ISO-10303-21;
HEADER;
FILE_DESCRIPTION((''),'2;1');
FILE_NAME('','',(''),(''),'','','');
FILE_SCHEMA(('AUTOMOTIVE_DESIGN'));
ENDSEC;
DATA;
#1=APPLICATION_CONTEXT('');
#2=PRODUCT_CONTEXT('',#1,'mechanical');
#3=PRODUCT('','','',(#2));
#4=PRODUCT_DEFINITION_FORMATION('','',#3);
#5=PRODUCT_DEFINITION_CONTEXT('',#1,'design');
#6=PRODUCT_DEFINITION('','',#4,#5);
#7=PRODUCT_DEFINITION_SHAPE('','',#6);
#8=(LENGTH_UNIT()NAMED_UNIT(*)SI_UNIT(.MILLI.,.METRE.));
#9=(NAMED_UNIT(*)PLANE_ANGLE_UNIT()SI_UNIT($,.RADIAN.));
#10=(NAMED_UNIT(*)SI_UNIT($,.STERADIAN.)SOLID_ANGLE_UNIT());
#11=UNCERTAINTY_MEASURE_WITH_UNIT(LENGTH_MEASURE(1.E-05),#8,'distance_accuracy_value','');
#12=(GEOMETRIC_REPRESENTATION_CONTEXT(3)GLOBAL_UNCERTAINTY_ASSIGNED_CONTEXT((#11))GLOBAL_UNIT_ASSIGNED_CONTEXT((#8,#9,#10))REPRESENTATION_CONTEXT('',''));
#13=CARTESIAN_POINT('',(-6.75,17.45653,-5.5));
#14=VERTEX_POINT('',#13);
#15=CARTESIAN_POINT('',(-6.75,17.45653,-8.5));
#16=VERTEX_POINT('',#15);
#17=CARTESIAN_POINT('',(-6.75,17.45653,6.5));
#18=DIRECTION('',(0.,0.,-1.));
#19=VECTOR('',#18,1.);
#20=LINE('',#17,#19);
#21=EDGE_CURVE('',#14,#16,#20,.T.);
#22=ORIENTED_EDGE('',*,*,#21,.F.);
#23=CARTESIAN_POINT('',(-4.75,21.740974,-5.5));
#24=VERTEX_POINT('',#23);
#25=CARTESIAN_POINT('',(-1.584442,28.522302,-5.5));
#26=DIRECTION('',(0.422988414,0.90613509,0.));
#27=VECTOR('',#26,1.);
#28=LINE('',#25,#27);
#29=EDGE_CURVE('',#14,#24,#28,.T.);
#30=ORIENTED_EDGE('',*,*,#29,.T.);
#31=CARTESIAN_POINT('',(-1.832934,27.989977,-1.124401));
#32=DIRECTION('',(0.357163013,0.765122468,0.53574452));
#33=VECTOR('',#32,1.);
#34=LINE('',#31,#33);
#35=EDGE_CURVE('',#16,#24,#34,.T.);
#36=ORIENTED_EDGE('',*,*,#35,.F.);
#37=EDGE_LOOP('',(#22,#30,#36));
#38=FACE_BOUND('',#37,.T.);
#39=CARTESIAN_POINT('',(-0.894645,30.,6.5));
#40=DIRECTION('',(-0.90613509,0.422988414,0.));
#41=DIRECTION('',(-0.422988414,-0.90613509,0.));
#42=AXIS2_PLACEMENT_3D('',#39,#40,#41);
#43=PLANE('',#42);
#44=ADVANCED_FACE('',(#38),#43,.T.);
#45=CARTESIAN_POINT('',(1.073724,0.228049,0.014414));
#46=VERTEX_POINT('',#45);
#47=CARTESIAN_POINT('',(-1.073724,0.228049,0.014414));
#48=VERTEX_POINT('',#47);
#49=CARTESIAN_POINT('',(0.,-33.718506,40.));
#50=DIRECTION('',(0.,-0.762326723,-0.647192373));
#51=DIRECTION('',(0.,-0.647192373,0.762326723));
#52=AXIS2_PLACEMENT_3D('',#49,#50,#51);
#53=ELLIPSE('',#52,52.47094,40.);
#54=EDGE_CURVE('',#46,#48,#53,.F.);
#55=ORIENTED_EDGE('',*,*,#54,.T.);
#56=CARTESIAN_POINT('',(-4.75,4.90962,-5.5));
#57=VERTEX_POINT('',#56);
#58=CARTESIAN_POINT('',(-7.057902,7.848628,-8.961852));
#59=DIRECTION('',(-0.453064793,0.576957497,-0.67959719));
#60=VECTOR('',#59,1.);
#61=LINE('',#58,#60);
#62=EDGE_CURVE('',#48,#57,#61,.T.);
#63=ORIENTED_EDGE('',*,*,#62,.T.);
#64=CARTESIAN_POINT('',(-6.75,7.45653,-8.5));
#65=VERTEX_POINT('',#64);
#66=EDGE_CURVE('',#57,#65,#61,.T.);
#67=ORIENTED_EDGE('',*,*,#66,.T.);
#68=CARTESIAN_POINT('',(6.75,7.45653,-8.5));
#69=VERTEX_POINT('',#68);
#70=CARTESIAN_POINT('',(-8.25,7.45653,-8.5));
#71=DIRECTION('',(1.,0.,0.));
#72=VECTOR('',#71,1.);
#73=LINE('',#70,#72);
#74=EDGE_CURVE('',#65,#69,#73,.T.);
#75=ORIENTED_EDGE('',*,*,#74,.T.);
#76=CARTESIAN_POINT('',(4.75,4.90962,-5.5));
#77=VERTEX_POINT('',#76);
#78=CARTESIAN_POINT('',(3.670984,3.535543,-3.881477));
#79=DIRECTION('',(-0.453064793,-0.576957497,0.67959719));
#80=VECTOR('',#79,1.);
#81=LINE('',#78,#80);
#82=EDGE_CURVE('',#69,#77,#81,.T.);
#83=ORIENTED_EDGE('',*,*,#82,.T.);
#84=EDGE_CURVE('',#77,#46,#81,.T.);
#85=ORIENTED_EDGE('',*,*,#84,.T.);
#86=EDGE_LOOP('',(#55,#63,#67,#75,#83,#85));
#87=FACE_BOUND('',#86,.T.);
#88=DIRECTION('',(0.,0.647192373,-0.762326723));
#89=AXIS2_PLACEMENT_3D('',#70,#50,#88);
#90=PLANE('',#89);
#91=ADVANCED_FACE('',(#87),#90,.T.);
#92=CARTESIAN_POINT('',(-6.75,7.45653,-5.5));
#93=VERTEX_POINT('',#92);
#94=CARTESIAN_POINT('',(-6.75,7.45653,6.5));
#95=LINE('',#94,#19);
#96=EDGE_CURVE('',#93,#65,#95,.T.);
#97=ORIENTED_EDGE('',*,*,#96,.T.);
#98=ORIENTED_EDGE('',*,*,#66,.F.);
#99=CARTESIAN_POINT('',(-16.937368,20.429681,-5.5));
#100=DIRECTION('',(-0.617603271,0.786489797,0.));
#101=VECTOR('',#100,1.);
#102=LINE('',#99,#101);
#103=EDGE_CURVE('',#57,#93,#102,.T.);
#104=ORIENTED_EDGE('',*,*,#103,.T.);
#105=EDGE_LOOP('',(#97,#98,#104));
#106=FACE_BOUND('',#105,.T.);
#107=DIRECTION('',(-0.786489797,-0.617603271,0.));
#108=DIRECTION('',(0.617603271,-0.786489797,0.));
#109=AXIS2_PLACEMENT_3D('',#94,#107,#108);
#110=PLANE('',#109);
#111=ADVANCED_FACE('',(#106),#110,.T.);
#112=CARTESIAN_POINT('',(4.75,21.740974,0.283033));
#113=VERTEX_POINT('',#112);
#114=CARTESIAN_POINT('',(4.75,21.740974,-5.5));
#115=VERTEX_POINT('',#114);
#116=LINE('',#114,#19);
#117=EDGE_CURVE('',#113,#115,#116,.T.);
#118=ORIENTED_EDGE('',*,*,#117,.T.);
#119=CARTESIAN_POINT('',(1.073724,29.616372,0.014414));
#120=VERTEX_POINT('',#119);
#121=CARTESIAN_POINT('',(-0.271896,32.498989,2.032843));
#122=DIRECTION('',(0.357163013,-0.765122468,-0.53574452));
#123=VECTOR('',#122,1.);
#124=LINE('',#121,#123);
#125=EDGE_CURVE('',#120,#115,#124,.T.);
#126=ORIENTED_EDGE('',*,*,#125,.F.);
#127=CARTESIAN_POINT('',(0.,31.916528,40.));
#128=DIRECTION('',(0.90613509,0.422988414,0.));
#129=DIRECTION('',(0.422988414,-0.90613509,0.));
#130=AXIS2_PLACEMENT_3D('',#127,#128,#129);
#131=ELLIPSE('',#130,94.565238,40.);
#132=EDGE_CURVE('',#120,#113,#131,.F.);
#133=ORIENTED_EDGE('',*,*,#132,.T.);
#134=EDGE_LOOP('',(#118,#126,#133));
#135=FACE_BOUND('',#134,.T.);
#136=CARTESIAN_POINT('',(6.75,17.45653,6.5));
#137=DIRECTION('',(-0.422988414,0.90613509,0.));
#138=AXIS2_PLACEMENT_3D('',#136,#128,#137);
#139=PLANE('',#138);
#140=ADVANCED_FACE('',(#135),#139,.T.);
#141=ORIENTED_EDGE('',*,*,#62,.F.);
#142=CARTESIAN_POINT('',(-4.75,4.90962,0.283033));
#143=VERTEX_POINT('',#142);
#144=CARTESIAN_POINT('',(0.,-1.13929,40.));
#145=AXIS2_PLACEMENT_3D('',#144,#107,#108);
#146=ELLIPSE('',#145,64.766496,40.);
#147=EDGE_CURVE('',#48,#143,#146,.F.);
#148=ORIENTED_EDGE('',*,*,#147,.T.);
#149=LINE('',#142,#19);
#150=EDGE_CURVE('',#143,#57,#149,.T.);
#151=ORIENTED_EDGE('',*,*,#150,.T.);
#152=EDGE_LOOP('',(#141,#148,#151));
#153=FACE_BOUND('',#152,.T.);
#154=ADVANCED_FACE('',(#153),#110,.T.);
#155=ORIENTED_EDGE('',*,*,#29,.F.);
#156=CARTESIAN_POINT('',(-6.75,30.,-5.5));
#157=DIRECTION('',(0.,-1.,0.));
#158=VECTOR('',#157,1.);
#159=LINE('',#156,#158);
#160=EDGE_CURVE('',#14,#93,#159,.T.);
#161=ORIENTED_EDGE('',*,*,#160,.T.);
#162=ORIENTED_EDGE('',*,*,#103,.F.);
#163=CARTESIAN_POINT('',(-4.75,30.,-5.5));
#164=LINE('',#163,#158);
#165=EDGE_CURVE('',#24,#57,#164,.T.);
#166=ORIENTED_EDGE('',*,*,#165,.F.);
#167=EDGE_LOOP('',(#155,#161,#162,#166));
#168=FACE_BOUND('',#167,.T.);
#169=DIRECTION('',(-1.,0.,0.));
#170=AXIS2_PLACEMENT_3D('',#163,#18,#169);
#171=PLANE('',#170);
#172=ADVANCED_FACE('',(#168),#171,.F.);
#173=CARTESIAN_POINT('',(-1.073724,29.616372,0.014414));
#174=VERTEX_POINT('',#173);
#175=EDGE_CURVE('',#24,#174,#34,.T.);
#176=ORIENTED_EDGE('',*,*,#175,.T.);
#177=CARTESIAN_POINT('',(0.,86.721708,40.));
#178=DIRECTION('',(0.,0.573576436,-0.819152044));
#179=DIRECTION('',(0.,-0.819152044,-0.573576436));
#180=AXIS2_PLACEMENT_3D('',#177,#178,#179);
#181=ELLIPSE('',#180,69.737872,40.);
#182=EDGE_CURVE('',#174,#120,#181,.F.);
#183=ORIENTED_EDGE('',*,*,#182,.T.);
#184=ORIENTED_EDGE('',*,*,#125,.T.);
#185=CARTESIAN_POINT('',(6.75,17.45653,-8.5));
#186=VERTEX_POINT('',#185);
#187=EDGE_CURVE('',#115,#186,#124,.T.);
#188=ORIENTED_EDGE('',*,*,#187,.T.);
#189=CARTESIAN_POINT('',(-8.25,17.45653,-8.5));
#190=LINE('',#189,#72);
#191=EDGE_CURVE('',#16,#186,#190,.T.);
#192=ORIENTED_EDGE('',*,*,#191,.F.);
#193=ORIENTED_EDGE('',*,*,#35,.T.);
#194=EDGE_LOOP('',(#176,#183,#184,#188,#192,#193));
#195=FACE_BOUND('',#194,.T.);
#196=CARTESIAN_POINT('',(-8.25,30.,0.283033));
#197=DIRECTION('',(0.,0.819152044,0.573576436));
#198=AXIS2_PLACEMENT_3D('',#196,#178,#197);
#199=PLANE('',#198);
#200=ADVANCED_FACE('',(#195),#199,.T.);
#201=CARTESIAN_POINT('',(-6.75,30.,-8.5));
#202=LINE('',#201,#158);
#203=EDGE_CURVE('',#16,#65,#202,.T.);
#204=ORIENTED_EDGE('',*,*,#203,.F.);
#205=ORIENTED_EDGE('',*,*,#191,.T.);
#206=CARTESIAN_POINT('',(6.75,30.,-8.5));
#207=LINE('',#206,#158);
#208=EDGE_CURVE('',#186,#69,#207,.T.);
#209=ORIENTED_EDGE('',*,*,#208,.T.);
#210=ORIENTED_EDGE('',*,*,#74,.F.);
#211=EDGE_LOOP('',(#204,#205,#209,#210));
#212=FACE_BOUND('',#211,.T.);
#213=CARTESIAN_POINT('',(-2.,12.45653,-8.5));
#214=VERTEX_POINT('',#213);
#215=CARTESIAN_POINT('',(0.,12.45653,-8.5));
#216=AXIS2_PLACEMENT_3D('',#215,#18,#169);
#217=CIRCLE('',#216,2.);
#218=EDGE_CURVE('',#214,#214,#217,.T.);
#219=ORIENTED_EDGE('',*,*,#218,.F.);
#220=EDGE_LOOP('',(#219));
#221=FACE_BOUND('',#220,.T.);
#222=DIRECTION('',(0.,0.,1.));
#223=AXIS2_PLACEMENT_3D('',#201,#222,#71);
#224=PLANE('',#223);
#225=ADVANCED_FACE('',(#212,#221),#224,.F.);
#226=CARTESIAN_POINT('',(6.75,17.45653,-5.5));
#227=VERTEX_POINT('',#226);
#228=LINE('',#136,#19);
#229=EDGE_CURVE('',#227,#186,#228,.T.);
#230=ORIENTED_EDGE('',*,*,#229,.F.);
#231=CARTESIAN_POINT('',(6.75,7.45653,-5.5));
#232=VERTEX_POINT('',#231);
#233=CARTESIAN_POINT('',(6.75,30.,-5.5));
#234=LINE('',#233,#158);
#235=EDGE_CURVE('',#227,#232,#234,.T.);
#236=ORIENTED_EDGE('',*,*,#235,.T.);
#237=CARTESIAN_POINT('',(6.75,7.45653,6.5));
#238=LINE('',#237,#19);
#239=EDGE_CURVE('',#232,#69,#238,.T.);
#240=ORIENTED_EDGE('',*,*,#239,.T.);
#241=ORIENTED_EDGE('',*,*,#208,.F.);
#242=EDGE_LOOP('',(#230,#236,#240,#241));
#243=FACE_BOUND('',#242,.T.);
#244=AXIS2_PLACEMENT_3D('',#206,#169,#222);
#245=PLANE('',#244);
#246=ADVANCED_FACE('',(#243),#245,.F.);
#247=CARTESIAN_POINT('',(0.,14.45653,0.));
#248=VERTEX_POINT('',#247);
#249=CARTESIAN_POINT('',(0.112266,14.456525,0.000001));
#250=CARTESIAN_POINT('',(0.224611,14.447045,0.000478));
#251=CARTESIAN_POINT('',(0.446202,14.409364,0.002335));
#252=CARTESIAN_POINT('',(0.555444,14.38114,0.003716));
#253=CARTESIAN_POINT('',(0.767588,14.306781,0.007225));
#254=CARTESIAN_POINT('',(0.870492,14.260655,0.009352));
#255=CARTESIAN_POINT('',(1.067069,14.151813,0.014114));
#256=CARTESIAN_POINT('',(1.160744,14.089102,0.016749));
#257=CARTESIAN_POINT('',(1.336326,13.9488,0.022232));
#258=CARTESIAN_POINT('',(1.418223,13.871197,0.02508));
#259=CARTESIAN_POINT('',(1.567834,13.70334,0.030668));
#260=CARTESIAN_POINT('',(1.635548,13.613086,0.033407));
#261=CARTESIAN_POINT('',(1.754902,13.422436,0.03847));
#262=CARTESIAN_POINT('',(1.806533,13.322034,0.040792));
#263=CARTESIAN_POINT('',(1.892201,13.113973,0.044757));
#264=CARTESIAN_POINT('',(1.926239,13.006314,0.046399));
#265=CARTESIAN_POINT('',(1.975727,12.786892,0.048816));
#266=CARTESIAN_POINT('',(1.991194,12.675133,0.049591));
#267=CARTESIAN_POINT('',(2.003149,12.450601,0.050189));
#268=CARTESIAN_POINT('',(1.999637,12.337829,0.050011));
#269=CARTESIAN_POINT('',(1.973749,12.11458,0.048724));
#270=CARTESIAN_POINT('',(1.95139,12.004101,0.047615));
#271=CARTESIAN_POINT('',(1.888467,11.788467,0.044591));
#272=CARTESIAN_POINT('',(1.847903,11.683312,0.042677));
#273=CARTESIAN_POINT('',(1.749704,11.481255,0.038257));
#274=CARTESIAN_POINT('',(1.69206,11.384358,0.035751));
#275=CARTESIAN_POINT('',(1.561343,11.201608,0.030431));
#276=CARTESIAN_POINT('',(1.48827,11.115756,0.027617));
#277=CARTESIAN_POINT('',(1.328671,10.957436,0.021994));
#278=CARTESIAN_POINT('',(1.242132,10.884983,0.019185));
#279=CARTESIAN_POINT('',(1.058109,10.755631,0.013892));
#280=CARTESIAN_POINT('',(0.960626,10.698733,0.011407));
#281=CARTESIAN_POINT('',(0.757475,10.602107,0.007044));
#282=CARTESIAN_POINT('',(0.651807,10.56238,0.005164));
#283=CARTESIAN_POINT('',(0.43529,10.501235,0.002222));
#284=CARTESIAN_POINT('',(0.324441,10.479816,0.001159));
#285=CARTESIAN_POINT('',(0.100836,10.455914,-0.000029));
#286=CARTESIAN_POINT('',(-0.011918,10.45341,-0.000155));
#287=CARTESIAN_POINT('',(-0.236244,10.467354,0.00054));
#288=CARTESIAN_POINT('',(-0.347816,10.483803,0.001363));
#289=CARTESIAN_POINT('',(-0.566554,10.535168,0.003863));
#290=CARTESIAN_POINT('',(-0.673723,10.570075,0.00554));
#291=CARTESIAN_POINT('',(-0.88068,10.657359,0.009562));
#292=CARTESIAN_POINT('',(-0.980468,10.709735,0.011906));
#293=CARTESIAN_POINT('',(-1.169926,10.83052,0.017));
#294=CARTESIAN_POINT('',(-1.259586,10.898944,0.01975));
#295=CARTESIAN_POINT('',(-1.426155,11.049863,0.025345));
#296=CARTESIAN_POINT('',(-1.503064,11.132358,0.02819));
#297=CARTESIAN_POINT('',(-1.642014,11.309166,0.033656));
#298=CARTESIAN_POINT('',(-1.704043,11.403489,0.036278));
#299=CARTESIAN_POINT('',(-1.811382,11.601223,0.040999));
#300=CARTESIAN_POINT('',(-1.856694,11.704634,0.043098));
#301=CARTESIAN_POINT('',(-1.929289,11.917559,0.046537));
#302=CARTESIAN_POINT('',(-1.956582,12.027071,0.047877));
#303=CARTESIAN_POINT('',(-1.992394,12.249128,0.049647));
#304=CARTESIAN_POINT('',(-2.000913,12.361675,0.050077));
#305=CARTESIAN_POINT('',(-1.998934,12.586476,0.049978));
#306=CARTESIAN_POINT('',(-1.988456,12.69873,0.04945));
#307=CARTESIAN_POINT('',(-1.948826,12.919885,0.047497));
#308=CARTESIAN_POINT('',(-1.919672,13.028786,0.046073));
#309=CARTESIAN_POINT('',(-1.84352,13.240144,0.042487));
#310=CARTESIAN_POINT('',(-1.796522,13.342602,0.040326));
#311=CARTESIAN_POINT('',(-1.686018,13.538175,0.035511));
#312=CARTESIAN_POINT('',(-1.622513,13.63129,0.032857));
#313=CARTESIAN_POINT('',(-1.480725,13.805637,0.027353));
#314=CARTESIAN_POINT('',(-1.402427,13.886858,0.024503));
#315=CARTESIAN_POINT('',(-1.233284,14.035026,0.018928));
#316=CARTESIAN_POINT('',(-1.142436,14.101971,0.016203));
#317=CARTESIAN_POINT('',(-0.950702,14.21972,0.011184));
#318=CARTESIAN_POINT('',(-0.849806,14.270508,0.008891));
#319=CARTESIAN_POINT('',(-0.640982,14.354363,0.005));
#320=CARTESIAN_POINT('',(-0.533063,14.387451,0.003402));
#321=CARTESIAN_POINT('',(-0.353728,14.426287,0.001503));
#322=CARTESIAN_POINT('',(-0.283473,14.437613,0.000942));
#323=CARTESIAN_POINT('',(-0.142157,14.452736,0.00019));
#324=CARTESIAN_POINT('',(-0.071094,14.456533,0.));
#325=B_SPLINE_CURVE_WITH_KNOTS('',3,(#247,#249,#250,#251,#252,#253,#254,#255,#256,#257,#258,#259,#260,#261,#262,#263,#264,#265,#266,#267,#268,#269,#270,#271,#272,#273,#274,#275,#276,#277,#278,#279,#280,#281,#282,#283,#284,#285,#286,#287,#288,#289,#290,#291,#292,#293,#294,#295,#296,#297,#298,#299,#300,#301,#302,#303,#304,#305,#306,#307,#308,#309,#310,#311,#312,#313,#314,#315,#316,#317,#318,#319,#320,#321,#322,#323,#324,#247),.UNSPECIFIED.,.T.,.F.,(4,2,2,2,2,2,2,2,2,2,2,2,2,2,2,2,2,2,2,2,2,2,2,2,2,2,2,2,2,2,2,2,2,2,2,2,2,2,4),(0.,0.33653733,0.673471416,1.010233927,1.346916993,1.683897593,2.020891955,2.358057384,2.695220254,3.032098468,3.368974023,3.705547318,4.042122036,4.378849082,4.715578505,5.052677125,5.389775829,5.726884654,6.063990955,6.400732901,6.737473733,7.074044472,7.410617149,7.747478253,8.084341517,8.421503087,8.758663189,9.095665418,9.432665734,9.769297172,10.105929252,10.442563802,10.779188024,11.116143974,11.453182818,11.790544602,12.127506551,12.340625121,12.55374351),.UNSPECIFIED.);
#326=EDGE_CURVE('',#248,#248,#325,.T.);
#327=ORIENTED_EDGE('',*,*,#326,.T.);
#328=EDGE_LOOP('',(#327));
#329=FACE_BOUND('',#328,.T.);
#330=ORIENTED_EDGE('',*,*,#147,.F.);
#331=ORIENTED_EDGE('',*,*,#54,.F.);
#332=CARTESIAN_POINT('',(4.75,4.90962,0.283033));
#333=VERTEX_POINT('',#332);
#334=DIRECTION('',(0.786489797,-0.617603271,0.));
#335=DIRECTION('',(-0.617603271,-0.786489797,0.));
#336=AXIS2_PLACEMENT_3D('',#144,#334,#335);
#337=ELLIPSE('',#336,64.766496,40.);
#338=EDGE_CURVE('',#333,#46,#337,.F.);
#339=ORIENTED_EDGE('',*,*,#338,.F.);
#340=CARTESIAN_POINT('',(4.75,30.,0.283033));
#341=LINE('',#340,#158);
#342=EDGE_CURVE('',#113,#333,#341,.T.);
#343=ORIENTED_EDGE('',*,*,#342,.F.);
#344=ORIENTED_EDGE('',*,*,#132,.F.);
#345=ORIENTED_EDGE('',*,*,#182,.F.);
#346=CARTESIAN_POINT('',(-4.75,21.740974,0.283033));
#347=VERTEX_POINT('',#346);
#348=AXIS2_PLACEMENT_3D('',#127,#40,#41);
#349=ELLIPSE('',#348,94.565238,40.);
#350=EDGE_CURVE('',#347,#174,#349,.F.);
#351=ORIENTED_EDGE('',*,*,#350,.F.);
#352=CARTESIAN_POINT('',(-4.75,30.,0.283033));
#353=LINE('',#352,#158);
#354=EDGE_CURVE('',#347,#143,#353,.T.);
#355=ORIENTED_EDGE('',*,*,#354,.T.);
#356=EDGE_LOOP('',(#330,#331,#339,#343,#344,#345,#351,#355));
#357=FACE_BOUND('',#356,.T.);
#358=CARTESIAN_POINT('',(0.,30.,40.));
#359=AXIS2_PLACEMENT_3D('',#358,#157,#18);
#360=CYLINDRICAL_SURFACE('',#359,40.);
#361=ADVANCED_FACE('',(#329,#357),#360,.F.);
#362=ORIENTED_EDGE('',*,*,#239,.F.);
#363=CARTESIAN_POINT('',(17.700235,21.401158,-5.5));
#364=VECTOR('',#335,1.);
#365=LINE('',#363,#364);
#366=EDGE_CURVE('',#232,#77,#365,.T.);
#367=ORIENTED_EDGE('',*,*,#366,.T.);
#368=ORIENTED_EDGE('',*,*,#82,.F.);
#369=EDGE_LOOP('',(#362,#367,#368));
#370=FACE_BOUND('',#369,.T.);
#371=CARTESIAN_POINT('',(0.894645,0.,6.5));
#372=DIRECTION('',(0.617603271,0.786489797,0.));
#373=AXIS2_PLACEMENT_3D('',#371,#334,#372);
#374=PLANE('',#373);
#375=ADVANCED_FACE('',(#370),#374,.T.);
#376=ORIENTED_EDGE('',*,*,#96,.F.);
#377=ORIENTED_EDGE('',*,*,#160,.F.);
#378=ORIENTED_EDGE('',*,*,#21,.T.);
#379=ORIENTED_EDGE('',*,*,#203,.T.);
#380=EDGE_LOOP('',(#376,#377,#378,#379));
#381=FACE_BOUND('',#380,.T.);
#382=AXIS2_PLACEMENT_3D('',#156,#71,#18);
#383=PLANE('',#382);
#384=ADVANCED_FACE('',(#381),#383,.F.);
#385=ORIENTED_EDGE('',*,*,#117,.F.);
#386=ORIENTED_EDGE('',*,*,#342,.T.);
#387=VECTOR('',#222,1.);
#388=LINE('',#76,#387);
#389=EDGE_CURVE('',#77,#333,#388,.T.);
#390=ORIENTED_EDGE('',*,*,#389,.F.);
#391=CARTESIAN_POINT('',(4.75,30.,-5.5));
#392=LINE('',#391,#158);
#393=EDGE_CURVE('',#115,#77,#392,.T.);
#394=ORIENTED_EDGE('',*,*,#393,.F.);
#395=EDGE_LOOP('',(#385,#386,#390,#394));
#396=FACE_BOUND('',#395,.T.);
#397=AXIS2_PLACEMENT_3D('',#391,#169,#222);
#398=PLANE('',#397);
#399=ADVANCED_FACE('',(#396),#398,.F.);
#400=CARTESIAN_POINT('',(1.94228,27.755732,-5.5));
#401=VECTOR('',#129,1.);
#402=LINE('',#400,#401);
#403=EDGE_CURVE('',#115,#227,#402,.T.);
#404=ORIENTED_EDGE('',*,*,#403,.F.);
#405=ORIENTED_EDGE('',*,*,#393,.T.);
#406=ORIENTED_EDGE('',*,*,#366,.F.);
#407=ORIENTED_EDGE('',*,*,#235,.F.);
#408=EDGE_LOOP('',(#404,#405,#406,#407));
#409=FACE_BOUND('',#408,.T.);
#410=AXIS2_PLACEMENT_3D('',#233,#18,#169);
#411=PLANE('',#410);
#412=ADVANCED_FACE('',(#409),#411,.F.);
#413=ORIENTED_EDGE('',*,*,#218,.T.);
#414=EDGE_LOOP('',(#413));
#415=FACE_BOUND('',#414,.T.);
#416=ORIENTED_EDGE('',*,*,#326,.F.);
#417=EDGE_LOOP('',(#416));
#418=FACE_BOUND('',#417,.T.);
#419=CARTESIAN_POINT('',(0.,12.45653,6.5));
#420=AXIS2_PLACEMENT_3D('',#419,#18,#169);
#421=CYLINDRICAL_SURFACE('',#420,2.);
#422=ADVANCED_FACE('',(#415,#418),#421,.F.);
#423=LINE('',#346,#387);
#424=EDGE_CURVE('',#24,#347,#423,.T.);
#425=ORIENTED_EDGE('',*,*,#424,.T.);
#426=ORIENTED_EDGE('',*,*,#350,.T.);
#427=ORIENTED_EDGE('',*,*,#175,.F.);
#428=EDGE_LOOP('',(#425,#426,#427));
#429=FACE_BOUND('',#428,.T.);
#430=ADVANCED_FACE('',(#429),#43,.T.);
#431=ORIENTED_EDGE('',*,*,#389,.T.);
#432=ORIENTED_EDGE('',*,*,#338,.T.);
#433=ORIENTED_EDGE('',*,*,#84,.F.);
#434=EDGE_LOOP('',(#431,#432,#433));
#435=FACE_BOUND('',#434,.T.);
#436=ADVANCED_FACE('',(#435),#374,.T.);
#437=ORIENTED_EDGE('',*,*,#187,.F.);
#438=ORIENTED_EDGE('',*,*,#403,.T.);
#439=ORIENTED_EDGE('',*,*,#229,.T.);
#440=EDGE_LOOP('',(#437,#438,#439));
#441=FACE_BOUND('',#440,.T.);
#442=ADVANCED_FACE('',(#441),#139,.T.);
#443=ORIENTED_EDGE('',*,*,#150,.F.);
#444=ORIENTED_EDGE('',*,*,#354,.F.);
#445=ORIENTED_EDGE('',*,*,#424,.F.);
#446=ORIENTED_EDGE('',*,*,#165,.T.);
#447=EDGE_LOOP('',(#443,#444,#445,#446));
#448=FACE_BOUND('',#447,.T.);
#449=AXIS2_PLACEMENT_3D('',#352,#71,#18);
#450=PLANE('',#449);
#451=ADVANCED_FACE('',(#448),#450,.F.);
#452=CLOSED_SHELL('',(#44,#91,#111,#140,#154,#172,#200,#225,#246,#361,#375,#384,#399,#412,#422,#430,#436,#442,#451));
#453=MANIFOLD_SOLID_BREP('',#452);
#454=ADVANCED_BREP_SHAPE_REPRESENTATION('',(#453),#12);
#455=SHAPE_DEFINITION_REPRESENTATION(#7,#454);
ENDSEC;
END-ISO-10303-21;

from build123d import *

# Parameters (mm, degrees)
BOSS_EXTRUDE1_DEPTH = 30
SKETCH2_OUTSIDE_W   = 17.593
SKETCH2_OUTSIDE_H   = 38.81
CUT_EXTRUDE1_DEPTH  = 15
SKETCH3_OUTSIDE_W   = 22.31
SKETCH3_OUTSIDE_H   = 38.81
SKETCH3_OUTSIDE_R   = 2
CUT_EXTRUDE2_DEPTH  = 15


with BuildPart() as part:
    # Sketch1 → Boss-Extrude1 (new body)
    with BuildSketch(Plane(origin=(0, 0, 0), x_dir=(1, 0, 0), z_dir=(0, 1, 0))):
        with BuildLine():
            Line((-4.75, -0.283032593), (-4.75, 5.5))
            Line((-4.75, 5.5), (-6.75, 5.5))
            Line((-6.75, 5.5), (-6.75, 8.5))
            Line((-6.75, 8.5), (6.75, 8.5))
            Line((6.75, 8.5), (6.75, 5.5))
            Line((6.75, 5.5), (4.75, 5.5))
            Line((4.75, 5.5), (4.75, -0.283032593))
            ThreePointArc((4.75, -0.283032593), (0, 0), (-4.75, -0.283032593))
        make_face()
    extrude(amount=BOSS_EXTRUDE1_DEPTH)

    # Sketch2 outside → Cut-Extrude1 (cut)
    with BuildSketch(Plane(origin=(6.75, 0, 0), x_dir=(0, 0, -1), z_dir=(1, 0, 0))):
        with Locations((4.1085, 15)):
            Rectangle(SKETCH2_OUTSIDE_W, SKETCH2_OUTSIDE_H)
        Polygon((-0.283032593, 30), (8.5, 17.456529509), (8.5, 7.456529509), (-0.283032593, 0), align=None, mode=Mode.SUBTRACT)
    extrude(amount=-CUT_EXTRUDE1_DEPTH, mode=Mode.SUBTRACT)

    # Sketch3 outside → Cut-Extrude2 (cut)
    # profile 1 of 2: a face of its own
    with BuildSketch(Plane(origin=(0, 0, -8.5), x_dir=(-1, 0, 0), z_dir=(0, 0, -1))):
        with Locations((0, 15)):
            Rectangle(SKETCH3_OUTSIDE_W, SKETCH3_OUTSIDE_H)
        Polygon((-6.75, 17.456529509), (-0.894644938, 30), (0.894644938, 30), (6.75, 17.456529509), (6.75, 7.456529509), (0.894644938, 0), (-0.894644938, 0), (-6.75, 7.456529509), align=None, mode=Mode.SUBTRACT)
    # profile 2 of 2: a face of its own
    with BuildSketch(Plane(origin=(0, 0, -8.5), x_dir=(-1, 0, 0), z_dir=(0, 0, -1))):
        with Locations((0, 12.456529509)):
            Circle(SKETCH3_OUTSIDE_R)
    extrude(amount=-CUT_EXTRUDE2_DEPTH, mode=Mode.SUBTRACT)


solid = part.part
